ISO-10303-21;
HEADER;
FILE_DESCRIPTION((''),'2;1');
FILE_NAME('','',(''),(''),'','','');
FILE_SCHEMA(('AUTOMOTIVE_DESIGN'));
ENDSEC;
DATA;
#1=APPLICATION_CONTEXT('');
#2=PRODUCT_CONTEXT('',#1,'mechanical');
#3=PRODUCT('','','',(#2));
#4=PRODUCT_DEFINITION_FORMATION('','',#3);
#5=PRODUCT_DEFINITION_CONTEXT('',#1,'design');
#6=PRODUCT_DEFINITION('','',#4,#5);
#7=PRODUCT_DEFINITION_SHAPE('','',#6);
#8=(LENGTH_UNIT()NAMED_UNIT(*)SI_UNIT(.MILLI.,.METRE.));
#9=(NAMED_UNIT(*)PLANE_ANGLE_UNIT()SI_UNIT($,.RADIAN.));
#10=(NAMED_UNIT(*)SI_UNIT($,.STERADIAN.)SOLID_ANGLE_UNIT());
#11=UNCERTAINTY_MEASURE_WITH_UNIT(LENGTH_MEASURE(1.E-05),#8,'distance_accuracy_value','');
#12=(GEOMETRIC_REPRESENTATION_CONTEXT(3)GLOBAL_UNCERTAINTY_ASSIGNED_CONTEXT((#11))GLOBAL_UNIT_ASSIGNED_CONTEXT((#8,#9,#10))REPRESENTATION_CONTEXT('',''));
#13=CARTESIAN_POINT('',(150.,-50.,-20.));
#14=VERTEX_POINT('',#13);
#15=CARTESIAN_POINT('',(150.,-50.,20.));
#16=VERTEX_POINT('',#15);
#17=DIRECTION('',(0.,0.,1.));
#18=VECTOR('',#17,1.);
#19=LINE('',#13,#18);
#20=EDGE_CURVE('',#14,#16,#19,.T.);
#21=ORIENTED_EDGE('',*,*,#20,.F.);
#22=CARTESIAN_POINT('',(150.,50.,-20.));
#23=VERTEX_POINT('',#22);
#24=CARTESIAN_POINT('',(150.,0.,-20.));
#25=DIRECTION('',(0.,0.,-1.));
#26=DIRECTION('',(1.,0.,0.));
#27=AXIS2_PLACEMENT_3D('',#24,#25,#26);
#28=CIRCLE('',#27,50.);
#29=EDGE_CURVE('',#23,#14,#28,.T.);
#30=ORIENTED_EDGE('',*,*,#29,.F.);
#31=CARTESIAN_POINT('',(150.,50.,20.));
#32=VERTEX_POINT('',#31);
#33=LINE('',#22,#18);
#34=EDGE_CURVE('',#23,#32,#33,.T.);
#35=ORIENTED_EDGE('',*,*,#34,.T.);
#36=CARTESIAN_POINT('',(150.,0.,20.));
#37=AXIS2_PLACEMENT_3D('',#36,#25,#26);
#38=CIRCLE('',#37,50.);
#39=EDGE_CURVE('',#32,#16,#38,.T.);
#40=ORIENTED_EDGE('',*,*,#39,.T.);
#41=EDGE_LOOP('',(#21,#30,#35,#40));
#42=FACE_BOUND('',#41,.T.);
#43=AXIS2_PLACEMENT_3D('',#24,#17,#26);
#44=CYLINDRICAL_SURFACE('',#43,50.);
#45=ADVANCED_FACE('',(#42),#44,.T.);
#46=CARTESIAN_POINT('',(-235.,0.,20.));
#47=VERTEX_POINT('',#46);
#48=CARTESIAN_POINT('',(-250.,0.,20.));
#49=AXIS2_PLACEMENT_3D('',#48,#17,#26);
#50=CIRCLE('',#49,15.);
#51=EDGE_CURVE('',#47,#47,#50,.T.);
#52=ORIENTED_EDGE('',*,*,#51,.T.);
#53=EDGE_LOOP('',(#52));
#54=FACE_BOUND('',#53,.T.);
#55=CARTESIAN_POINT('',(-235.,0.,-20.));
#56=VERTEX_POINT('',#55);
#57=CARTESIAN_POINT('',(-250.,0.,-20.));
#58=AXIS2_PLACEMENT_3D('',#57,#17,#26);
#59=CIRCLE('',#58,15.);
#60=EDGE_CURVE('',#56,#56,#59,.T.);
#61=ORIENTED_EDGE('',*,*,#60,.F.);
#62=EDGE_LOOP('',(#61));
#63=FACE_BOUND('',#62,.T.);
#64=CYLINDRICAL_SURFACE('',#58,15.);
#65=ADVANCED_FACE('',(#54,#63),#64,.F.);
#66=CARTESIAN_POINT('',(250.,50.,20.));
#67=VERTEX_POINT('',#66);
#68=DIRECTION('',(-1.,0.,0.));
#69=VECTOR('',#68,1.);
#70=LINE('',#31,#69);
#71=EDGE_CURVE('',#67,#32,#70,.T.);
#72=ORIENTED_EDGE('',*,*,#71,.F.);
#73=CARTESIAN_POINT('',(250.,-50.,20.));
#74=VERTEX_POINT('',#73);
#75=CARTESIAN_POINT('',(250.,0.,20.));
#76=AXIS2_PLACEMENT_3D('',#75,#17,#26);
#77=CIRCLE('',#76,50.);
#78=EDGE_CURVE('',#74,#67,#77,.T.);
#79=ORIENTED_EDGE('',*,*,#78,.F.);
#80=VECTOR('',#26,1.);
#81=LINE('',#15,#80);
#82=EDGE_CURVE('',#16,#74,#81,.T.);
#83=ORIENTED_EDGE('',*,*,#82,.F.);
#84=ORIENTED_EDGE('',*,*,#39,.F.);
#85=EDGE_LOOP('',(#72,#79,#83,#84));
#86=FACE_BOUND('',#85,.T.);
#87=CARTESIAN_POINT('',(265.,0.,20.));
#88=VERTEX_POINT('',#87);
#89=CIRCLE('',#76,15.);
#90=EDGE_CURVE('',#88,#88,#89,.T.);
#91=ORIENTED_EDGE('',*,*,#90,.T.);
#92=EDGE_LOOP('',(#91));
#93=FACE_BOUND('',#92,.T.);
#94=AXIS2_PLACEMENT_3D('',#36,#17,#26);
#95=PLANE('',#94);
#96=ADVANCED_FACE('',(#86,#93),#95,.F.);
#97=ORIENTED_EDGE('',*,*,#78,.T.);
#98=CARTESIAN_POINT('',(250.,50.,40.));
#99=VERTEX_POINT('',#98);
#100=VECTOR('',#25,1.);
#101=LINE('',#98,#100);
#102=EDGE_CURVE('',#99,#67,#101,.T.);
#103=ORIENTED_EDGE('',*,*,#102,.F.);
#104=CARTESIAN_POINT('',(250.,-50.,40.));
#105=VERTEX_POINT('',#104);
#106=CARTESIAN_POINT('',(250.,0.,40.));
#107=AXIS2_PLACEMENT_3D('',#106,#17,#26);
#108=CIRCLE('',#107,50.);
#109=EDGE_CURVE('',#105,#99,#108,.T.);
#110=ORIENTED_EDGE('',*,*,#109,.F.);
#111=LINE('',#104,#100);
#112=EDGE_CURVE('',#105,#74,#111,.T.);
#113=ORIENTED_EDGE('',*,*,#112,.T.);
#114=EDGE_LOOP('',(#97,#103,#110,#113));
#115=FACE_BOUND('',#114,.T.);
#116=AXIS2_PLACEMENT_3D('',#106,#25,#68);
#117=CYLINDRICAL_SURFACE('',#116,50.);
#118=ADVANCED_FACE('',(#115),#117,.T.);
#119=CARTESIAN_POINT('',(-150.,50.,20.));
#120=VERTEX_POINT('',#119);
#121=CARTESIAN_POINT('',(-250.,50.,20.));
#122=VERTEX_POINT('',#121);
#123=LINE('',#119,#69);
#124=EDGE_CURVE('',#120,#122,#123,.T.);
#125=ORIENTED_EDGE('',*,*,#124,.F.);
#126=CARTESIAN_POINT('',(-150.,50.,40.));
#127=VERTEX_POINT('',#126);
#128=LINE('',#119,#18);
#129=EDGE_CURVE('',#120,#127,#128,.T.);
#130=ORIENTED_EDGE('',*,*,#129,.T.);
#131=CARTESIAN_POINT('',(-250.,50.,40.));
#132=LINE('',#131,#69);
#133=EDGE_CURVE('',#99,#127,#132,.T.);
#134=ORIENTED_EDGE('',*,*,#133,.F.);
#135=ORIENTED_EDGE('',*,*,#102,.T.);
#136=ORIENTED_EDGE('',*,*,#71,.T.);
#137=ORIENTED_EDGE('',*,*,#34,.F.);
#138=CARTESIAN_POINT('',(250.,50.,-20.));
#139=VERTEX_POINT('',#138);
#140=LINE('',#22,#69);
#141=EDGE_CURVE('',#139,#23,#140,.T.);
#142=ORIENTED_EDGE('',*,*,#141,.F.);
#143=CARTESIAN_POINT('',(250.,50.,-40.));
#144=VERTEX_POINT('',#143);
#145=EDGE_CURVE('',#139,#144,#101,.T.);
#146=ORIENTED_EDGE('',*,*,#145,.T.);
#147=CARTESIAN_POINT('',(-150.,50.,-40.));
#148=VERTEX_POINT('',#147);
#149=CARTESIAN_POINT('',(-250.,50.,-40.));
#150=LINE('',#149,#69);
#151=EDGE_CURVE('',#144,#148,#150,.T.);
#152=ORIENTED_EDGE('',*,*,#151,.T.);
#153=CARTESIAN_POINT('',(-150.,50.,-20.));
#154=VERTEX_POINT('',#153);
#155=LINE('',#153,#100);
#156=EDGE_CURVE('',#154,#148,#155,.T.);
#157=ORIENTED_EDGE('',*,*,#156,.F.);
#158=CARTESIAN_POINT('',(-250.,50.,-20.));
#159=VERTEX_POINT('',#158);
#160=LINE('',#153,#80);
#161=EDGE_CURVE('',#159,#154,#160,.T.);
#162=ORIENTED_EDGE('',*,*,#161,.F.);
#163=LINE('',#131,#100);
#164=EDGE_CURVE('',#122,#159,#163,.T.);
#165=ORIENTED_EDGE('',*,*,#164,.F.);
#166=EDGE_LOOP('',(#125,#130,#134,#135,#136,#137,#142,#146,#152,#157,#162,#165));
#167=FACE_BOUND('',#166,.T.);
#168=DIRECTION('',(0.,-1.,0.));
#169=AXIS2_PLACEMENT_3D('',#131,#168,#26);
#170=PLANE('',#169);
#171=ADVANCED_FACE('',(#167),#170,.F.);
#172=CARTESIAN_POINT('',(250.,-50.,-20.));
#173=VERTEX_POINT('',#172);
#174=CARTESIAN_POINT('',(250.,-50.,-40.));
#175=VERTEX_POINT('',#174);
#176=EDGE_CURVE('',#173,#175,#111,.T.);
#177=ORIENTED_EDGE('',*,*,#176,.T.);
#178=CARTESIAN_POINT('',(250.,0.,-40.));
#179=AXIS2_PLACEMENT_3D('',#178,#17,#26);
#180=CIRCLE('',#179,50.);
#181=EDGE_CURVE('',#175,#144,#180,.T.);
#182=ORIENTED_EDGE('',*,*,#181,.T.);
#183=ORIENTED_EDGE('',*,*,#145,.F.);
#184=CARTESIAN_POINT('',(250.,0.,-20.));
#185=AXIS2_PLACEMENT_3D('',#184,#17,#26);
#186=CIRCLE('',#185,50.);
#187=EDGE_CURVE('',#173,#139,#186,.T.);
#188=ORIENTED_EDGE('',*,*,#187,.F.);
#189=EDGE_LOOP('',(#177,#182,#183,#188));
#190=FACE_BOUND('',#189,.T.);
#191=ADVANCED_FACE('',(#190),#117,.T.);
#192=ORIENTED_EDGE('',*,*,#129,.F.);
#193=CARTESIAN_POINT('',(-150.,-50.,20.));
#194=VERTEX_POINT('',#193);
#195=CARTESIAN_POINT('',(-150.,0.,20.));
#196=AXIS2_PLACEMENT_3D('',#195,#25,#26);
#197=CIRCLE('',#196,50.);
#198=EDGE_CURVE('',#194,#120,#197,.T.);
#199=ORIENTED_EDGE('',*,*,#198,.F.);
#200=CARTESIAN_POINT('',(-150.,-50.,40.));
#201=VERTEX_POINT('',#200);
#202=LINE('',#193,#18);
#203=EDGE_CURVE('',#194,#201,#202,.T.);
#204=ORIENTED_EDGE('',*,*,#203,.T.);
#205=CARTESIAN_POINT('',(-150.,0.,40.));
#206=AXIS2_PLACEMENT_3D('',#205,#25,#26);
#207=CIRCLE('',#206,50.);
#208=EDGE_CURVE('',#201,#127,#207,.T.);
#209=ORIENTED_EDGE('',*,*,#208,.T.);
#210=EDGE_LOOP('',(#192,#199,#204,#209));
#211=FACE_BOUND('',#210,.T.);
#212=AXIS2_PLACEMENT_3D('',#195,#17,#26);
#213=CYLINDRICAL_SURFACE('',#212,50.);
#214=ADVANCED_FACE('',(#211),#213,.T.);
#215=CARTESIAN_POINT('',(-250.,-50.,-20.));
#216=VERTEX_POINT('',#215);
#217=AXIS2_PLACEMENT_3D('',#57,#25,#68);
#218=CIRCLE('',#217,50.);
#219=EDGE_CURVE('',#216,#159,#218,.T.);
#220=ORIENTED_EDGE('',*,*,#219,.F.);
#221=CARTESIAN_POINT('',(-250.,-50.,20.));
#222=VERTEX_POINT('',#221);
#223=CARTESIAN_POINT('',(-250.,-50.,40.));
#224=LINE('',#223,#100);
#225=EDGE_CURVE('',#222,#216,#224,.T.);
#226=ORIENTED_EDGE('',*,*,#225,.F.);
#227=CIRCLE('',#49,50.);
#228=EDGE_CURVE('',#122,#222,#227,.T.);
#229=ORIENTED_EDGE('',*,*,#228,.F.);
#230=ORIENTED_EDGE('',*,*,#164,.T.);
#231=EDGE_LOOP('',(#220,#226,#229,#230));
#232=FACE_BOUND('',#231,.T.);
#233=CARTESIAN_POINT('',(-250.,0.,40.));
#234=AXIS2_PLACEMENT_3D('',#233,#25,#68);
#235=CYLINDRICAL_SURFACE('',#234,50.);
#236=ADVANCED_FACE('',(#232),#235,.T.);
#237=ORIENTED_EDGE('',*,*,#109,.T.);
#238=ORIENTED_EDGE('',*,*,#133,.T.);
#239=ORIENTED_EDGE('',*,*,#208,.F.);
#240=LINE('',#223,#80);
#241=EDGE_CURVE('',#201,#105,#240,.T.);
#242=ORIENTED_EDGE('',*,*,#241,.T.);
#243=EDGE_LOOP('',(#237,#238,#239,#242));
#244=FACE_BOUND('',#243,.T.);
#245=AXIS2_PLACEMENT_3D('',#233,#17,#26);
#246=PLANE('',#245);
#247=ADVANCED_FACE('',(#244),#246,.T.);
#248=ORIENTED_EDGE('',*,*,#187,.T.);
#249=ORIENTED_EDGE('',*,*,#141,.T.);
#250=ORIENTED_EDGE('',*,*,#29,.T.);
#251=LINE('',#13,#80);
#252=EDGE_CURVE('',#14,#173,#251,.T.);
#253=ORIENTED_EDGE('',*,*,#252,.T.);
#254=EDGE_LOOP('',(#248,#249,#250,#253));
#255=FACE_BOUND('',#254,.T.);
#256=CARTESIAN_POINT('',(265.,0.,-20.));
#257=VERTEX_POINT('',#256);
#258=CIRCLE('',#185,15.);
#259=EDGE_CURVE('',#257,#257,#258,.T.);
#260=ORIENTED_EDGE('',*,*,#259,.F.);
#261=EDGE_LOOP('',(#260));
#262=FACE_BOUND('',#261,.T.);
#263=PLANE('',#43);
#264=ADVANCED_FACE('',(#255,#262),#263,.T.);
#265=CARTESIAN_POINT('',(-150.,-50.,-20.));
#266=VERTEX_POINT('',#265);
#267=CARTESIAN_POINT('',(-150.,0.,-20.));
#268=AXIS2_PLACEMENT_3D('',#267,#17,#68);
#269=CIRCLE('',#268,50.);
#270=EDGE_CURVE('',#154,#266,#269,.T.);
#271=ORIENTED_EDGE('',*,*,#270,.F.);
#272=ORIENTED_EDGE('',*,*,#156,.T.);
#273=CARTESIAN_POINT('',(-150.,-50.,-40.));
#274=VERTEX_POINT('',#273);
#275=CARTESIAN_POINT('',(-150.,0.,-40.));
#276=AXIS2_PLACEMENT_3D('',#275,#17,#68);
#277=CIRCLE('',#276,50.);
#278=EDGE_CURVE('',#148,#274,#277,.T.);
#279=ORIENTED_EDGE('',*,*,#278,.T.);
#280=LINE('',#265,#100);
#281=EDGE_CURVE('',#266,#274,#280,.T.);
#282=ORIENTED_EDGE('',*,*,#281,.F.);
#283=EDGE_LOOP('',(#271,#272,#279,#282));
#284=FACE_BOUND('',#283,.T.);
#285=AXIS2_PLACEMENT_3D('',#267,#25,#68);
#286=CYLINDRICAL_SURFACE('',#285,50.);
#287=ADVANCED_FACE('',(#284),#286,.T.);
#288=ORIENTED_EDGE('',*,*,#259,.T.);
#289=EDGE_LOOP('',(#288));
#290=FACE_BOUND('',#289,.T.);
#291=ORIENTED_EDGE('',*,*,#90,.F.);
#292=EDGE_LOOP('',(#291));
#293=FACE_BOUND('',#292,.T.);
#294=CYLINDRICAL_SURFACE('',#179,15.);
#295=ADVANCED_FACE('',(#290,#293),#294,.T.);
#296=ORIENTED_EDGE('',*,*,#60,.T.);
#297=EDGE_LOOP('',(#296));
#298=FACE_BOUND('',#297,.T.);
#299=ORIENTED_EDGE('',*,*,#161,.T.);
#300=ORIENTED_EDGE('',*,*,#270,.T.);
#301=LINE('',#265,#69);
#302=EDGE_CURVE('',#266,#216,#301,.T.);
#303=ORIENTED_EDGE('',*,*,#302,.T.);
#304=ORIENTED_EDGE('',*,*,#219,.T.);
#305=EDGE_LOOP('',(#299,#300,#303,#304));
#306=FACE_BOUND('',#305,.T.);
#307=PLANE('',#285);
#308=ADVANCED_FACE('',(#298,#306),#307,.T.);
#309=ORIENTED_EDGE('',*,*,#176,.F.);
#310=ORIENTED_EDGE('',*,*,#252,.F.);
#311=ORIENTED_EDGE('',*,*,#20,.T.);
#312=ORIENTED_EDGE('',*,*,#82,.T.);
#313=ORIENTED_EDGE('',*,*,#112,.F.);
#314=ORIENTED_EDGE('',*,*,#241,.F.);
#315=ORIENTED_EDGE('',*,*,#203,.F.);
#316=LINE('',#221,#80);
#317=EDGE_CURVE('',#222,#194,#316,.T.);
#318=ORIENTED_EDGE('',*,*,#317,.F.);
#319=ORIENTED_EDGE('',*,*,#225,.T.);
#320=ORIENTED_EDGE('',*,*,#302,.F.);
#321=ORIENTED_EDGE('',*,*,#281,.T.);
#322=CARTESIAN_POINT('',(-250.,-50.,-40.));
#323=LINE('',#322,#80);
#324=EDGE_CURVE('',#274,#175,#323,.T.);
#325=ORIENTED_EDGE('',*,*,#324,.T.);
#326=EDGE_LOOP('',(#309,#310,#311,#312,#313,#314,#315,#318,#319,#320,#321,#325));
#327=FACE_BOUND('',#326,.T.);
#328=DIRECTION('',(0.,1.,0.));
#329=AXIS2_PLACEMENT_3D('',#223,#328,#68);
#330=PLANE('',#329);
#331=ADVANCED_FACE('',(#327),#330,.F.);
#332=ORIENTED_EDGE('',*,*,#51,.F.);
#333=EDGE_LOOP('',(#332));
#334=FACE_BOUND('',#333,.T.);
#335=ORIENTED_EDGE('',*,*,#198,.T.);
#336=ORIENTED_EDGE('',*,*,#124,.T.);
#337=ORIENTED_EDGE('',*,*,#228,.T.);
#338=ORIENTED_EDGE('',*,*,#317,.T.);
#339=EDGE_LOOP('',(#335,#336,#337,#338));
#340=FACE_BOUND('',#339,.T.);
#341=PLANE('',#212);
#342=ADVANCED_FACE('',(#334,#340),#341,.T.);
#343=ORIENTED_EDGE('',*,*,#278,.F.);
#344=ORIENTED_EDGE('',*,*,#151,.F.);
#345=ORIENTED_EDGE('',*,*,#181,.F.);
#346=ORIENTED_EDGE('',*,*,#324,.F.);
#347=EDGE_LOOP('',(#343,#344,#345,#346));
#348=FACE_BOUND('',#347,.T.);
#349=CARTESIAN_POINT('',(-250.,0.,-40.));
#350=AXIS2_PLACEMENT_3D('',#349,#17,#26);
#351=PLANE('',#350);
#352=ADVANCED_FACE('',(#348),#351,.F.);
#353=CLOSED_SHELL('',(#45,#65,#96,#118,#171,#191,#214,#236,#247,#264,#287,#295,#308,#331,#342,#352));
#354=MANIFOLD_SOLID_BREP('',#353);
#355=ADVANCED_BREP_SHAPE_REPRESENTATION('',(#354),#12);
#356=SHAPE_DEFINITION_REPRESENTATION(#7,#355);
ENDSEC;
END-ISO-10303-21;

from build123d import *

# Parameters (mm, degrees)
BOSS_EXTRUDE2_DEPTH = 40
CUT_EXTRUDE2_DEPTH  = 20
CUT_EXTRUDE3_START  = -20
CUT_EXTRUDE3_DEPTH  = 20
SKETCH9_R           = 15
CUT_EXTRUDE5_DEPTH  = 40
CUT_EXTRUDE6_DEPTH  = 20
SKETCH11_R          = 15
BOSS_EXTRUDE3_DEPTH = 80


with BuildPart() as part:
    # Sketch4 → Boss-Extrude2 (new, symmetric)
    with BuildSketch(Plane.XY):
        with BuildLine():
            Line((-250, 50), (250, 50))
            ThreePointArc((250, 50), (300, 0), (250, -50))
            Line((250, -50), (-250, -50))
            ThreePointArc((-250, -50), (-300, 0), (-250, 50))
        make_face()
    extrude(amount=BOSS_EXTRUDE2_DEPTH, both=True)

    # Sketch5 → Cut-Extrude2 (cut)
    with BuildSketch(Plane.XY.offset(40)):
        with BuildLine():
            Line((-150, 50), (-250, 50))
            ThreePointArc((-250, 50), (-300, 0), (-250, -50))
            Line((-250, -50), (-150, -50))
            ThreePointArc((-150, -50), (-200, 0), (-150, 50))
        make_face()
    extrude(amount=-CUT_EXTRUDE2_DEPTH, mode=Mode.SUBTRACT)

    # Sketch6 → Cut-Extrude3 (cut)
    with BuildSketch(Plane(origin=(0, 0, -40), x_dir=(-1, 0, 0), z_dir=(0, 0, -1)).offset(CUT_EXTRUDE3_START)):
        with BuildLine():
            Line((150, 50), (250, 50))
            ThreePointArc((250, 50), (300, 0), (250, -50))
            Line((250, -50), (150, -50))
            ThreePointArc((150, -50), (200, 0), (150, 50))
        make_face()
    extrude(amount=CUT_EXTRUDE3_DEPTH, mode=Mode.SUBTRACT)

    # Sketch9 → Cut-Extrude5 (cut)
    with BuildSketch(Plane.XY.offset(20)):
        with Locations((-250, 0)):
            Circle(SKETCH9_R)
    extrude(amount=-CUT_EXTRUDE5_DEPTH, mode=Mode.SUBTRACT)

    # Sketch10 → Cut-Extrude6 (cut, symmetric)
    with BuildSketch(Plane.XY):
        with BuildLine():
            Line((150, 50), (250, 50))
            ThreePointArc((250, 50), (300, 0), (250, -50))
            Line((250, -50), (150, -50))
            ThreePointArc((150, -50), (200, 0), (150, 50))
        make_face()
    extrude(amount=CUT_EXTRUDE6_DEPTH, both=True, mode=Mode.SUBTRACT)

    # Sketch11 → Boss-Extrude3 (add)
    with BuildSketch(Plane.XY.offset(40)):
        with Locations((250, 0)):
            Circle(SKETCH11_R)
    extrude(amount=-BOSS_EXTRUDE3_DEPTH)


solid = part.part
